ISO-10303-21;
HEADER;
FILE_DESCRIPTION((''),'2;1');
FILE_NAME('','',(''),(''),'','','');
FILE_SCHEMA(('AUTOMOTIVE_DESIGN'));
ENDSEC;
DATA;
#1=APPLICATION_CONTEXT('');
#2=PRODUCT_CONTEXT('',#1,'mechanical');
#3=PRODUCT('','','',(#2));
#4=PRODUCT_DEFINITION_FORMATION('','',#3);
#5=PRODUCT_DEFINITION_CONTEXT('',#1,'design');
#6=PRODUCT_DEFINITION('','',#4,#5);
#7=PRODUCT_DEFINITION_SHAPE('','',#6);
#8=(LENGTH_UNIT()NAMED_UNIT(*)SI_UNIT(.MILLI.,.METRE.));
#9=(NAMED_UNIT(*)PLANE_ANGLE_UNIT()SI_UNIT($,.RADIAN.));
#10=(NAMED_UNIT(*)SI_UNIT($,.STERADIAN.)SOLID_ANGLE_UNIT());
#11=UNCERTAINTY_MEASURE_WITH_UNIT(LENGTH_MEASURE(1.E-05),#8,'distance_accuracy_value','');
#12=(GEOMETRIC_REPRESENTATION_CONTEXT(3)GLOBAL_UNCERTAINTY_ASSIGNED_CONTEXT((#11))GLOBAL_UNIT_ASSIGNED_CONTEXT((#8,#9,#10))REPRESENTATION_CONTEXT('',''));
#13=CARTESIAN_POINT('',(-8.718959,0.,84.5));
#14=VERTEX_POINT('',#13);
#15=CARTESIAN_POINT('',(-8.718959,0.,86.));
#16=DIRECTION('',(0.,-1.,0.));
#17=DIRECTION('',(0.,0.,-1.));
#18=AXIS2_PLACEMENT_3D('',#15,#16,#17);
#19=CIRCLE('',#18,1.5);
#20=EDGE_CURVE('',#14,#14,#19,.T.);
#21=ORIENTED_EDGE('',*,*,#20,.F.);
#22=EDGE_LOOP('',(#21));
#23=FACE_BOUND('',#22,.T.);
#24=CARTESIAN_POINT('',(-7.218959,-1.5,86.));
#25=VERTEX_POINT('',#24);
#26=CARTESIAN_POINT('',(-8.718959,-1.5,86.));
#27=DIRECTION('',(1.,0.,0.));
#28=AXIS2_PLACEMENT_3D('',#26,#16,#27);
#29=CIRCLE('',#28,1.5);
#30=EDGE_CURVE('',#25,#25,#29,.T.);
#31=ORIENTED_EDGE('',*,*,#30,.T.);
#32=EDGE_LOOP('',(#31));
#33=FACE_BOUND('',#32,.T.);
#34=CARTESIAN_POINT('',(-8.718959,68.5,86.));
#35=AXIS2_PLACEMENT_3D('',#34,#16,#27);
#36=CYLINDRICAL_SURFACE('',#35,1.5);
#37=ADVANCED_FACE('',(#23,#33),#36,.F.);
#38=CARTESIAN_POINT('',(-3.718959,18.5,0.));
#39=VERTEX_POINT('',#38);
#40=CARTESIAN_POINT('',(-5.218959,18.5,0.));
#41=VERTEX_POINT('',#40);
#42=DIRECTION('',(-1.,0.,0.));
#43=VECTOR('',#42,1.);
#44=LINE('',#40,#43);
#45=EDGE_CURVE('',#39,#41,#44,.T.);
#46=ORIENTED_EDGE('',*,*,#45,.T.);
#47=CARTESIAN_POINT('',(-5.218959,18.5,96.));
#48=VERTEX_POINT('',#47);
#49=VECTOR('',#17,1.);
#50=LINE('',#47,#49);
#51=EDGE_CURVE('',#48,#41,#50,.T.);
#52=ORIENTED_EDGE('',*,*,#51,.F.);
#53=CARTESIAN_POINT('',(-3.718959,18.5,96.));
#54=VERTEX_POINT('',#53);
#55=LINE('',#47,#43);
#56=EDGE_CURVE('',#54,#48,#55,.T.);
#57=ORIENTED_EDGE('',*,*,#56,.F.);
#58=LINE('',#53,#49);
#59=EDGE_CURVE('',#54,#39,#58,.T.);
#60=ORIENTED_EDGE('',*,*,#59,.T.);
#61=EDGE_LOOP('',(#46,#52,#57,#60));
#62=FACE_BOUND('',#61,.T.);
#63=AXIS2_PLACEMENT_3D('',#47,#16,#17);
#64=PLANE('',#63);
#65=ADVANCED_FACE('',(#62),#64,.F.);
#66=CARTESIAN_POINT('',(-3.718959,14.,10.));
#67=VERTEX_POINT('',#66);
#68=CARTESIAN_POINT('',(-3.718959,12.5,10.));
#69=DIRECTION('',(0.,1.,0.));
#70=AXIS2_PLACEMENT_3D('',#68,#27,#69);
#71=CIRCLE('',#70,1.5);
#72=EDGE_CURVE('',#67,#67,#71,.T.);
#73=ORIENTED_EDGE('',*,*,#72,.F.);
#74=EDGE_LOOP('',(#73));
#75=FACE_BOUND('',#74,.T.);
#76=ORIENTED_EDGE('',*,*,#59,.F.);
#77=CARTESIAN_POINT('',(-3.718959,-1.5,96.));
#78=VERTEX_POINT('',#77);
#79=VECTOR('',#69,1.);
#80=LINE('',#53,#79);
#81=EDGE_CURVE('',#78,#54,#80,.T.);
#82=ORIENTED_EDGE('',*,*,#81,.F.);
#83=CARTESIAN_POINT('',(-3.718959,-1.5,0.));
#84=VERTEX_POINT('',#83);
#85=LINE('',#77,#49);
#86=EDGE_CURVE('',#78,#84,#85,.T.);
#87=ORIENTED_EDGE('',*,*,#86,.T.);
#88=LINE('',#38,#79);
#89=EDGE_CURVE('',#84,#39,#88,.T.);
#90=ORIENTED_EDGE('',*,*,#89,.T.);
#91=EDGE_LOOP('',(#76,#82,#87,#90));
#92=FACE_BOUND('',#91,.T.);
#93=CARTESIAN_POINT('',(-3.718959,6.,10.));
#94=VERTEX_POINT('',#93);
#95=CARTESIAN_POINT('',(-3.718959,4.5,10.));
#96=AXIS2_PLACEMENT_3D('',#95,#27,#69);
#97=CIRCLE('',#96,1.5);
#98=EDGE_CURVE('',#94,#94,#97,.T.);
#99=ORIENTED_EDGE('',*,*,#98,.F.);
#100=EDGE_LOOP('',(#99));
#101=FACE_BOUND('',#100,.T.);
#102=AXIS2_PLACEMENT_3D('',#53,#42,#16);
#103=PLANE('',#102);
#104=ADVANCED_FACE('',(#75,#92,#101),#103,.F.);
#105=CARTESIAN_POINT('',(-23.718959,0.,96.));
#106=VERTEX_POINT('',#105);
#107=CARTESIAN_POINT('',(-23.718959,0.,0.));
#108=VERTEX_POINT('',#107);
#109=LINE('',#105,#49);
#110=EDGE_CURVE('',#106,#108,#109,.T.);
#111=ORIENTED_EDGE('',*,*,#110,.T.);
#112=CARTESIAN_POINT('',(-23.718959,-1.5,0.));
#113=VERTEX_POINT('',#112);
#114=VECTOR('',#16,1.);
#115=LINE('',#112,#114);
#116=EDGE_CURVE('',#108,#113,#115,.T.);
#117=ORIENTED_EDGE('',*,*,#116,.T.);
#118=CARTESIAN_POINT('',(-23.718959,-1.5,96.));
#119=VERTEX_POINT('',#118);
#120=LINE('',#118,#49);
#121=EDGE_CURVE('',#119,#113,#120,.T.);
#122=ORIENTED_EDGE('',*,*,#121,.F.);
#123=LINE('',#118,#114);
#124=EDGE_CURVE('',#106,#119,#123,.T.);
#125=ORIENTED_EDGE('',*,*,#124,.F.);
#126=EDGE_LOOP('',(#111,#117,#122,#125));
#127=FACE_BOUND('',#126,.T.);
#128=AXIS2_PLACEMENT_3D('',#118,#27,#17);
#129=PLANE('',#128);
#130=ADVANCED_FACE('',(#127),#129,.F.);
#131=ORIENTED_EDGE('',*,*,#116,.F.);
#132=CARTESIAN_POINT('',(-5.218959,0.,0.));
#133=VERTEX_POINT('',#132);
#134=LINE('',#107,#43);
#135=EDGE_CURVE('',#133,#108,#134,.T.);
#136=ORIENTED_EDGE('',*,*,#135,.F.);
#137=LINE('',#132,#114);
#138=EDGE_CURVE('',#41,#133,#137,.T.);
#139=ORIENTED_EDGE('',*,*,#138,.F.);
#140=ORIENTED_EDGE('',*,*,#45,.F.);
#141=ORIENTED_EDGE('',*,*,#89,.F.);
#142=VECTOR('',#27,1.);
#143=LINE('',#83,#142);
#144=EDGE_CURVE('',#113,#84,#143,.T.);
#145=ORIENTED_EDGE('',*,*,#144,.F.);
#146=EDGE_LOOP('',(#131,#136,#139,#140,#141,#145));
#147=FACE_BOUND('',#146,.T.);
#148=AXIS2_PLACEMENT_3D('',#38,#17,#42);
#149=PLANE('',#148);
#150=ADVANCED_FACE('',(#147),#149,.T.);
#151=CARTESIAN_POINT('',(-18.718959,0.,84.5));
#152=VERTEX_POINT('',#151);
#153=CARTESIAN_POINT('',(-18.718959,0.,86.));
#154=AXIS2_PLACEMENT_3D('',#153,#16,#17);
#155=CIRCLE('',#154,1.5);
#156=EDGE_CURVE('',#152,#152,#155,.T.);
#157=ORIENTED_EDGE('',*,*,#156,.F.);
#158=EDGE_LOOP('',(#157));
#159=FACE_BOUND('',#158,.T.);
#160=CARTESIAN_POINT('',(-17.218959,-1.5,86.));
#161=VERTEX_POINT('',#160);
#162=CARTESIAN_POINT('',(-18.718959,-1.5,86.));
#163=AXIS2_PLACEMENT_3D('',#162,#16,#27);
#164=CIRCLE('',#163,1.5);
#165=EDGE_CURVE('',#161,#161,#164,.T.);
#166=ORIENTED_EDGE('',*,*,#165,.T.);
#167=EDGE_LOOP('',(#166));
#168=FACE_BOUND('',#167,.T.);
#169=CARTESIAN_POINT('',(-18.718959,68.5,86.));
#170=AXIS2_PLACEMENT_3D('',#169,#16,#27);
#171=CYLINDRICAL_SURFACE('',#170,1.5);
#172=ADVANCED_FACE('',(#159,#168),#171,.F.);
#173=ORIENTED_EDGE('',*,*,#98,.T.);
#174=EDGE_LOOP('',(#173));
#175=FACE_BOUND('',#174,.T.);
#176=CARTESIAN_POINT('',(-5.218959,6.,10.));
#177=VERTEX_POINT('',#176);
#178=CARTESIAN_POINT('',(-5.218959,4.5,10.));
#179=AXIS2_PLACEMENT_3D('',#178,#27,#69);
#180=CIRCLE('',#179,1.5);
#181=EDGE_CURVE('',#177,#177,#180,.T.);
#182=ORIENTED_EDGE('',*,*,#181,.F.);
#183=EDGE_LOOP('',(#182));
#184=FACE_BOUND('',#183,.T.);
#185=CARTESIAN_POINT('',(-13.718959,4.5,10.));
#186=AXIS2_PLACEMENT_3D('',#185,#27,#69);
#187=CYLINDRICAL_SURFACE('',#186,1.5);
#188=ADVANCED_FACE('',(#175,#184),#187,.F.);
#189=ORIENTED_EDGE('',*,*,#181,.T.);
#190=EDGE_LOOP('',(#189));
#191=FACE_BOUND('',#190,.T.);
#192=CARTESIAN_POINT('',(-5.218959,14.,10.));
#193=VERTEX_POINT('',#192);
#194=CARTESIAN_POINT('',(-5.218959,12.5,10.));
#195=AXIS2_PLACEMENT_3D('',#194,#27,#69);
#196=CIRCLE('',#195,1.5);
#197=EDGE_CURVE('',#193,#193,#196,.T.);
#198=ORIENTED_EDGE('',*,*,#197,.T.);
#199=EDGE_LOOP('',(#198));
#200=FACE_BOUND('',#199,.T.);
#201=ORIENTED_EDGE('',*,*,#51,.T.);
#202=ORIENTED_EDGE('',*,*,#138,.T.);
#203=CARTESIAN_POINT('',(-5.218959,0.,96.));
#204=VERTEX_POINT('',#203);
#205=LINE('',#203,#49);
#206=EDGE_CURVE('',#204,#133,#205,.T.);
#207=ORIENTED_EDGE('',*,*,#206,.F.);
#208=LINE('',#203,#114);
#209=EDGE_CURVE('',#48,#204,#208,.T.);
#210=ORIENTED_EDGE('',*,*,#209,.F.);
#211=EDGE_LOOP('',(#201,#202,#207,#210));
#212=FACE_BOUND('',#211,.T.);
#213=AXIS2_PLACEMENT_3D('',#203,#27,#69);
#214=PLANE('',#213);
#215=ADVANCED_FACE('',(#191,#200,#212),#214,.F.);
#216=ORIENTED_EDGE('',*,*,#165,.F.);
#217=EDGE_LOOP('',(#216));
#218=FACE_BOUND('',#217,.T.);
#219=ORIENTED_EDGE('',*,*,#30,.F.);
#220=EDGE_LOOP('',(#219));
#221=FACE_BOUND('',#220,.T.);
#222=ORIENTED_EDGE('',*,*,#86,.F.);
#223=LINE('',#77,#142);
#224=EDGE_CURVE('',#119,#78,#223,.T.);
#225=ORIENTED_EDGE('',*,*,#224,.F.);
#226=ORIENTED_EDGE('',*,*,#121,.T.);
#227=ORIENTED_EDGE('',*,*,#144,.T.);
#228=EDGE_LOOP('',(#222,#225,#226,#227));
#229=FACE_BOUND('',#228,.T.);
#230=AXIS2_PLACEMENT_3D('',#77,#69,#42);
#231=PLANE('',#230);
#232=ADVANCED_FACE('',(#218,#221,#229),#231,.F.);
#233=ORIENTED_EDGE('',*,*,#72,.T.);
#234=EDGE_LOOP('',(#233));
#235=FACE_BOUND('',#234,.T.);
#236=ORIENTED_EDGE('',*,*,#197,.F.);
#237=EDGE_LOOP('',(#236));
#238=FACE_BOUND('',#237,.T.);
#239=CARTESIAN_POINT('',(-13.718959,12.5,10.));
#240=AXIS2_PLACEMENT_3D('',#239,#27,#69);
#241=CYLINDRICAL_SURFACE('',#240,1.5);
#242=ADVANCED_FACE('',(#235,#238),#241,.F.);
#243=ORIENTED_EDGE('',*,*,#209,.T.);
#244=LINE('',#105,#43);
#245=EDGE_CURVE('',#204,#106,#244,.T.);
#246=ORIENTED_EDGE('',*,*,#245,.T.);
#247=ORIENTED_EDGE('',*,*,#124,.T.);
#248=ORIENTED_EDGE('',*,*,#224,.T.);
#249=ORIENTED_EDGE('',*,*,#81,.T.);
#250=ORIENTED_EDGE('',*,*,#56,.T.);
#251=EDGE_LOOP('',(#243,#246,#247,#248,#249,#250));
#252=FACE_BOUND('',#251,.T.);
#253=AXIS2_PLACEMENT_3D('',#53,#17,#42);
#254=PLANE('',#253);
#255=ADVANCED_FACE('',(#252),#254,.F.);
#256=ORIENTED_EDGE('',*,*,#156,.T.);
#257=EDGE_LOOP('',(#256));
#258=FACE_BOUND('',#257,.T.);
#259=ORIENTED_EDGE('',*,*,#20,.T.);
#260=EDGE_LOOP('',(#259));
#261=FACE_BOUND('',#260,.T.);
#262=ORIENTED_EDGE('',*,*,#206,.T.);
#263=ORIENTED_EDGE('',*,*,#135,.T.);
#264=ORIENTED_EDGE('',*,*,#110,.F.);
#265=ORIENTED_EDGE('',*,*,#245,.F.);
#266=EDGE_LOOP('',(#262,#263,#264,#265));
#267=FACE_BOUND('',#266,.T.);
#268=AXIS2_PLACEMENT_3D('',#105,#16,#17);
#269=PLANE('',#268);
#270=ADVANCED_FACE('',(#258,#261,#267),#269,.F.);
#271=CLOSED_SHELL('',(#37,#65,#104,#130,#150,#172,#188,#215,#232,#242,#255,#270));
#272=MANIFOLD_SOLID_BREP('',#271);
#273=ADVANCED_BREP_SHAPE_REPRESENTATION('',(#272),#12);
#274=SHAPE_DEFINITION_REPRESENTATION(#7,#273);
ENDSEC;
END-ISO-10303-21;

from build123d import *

# Parameters (mm, degrees)
EXTRUSION1_DEPTH = 96
ESQUISSE2_R      = 1.5
EXTRUSION2_DEPTH = 70
ESQUISSE3_R      = 1.5
EXTRUSION3_DEPTH = 10


with BuildPart() as part:
    # Esquisse1 → Extrusion1 (new body)
    with BuildSketch(Plane.XY):
        Polygon((-3.718958969, 18.5), (-3.718958969, -1.5), (-23.718958969, -1.5), (-23.718958969, 0), (-5.218958969, 0), (-5.218958969, 18.5), align=None)
    extrude(amount=EXTRUSION1_DEPTH)

    # Esquisse2 → Extrusion2 (cut)
    with BuildSketch(Plane.XZ.offset(1.5)):
        with Locations((-8.718958969, 86)):
            Circle(ESQUISSE2_R)
        with Locations((-18.718958969, 86)):
            Circle(ESQUISSE2_R)
    extrude(amount=-EXTRUSION2_DEPTH, mode=Mode.SUBTRACT)

    # Esquisse3 → Extrusion3 (cut)
    with BuildSketch(Plane(origin=(-3.718958969, 0, 0), x_dir=(0, 0, -1), z_dir=(1, 0, 0))):
        with Locations(Location((-10, 12.5, 0), (0, 0, 90))):
            Circle(ESQUISSE3_R)
        with Locations(Location((-10, 4.5, 0), (0, 0, 90))):
            Circle(ESQUISSE3_R)
    extrude(amount=-EXTRUSION3_DEPTH, mode=Mode.SUBTRACT)


solid = part.part
